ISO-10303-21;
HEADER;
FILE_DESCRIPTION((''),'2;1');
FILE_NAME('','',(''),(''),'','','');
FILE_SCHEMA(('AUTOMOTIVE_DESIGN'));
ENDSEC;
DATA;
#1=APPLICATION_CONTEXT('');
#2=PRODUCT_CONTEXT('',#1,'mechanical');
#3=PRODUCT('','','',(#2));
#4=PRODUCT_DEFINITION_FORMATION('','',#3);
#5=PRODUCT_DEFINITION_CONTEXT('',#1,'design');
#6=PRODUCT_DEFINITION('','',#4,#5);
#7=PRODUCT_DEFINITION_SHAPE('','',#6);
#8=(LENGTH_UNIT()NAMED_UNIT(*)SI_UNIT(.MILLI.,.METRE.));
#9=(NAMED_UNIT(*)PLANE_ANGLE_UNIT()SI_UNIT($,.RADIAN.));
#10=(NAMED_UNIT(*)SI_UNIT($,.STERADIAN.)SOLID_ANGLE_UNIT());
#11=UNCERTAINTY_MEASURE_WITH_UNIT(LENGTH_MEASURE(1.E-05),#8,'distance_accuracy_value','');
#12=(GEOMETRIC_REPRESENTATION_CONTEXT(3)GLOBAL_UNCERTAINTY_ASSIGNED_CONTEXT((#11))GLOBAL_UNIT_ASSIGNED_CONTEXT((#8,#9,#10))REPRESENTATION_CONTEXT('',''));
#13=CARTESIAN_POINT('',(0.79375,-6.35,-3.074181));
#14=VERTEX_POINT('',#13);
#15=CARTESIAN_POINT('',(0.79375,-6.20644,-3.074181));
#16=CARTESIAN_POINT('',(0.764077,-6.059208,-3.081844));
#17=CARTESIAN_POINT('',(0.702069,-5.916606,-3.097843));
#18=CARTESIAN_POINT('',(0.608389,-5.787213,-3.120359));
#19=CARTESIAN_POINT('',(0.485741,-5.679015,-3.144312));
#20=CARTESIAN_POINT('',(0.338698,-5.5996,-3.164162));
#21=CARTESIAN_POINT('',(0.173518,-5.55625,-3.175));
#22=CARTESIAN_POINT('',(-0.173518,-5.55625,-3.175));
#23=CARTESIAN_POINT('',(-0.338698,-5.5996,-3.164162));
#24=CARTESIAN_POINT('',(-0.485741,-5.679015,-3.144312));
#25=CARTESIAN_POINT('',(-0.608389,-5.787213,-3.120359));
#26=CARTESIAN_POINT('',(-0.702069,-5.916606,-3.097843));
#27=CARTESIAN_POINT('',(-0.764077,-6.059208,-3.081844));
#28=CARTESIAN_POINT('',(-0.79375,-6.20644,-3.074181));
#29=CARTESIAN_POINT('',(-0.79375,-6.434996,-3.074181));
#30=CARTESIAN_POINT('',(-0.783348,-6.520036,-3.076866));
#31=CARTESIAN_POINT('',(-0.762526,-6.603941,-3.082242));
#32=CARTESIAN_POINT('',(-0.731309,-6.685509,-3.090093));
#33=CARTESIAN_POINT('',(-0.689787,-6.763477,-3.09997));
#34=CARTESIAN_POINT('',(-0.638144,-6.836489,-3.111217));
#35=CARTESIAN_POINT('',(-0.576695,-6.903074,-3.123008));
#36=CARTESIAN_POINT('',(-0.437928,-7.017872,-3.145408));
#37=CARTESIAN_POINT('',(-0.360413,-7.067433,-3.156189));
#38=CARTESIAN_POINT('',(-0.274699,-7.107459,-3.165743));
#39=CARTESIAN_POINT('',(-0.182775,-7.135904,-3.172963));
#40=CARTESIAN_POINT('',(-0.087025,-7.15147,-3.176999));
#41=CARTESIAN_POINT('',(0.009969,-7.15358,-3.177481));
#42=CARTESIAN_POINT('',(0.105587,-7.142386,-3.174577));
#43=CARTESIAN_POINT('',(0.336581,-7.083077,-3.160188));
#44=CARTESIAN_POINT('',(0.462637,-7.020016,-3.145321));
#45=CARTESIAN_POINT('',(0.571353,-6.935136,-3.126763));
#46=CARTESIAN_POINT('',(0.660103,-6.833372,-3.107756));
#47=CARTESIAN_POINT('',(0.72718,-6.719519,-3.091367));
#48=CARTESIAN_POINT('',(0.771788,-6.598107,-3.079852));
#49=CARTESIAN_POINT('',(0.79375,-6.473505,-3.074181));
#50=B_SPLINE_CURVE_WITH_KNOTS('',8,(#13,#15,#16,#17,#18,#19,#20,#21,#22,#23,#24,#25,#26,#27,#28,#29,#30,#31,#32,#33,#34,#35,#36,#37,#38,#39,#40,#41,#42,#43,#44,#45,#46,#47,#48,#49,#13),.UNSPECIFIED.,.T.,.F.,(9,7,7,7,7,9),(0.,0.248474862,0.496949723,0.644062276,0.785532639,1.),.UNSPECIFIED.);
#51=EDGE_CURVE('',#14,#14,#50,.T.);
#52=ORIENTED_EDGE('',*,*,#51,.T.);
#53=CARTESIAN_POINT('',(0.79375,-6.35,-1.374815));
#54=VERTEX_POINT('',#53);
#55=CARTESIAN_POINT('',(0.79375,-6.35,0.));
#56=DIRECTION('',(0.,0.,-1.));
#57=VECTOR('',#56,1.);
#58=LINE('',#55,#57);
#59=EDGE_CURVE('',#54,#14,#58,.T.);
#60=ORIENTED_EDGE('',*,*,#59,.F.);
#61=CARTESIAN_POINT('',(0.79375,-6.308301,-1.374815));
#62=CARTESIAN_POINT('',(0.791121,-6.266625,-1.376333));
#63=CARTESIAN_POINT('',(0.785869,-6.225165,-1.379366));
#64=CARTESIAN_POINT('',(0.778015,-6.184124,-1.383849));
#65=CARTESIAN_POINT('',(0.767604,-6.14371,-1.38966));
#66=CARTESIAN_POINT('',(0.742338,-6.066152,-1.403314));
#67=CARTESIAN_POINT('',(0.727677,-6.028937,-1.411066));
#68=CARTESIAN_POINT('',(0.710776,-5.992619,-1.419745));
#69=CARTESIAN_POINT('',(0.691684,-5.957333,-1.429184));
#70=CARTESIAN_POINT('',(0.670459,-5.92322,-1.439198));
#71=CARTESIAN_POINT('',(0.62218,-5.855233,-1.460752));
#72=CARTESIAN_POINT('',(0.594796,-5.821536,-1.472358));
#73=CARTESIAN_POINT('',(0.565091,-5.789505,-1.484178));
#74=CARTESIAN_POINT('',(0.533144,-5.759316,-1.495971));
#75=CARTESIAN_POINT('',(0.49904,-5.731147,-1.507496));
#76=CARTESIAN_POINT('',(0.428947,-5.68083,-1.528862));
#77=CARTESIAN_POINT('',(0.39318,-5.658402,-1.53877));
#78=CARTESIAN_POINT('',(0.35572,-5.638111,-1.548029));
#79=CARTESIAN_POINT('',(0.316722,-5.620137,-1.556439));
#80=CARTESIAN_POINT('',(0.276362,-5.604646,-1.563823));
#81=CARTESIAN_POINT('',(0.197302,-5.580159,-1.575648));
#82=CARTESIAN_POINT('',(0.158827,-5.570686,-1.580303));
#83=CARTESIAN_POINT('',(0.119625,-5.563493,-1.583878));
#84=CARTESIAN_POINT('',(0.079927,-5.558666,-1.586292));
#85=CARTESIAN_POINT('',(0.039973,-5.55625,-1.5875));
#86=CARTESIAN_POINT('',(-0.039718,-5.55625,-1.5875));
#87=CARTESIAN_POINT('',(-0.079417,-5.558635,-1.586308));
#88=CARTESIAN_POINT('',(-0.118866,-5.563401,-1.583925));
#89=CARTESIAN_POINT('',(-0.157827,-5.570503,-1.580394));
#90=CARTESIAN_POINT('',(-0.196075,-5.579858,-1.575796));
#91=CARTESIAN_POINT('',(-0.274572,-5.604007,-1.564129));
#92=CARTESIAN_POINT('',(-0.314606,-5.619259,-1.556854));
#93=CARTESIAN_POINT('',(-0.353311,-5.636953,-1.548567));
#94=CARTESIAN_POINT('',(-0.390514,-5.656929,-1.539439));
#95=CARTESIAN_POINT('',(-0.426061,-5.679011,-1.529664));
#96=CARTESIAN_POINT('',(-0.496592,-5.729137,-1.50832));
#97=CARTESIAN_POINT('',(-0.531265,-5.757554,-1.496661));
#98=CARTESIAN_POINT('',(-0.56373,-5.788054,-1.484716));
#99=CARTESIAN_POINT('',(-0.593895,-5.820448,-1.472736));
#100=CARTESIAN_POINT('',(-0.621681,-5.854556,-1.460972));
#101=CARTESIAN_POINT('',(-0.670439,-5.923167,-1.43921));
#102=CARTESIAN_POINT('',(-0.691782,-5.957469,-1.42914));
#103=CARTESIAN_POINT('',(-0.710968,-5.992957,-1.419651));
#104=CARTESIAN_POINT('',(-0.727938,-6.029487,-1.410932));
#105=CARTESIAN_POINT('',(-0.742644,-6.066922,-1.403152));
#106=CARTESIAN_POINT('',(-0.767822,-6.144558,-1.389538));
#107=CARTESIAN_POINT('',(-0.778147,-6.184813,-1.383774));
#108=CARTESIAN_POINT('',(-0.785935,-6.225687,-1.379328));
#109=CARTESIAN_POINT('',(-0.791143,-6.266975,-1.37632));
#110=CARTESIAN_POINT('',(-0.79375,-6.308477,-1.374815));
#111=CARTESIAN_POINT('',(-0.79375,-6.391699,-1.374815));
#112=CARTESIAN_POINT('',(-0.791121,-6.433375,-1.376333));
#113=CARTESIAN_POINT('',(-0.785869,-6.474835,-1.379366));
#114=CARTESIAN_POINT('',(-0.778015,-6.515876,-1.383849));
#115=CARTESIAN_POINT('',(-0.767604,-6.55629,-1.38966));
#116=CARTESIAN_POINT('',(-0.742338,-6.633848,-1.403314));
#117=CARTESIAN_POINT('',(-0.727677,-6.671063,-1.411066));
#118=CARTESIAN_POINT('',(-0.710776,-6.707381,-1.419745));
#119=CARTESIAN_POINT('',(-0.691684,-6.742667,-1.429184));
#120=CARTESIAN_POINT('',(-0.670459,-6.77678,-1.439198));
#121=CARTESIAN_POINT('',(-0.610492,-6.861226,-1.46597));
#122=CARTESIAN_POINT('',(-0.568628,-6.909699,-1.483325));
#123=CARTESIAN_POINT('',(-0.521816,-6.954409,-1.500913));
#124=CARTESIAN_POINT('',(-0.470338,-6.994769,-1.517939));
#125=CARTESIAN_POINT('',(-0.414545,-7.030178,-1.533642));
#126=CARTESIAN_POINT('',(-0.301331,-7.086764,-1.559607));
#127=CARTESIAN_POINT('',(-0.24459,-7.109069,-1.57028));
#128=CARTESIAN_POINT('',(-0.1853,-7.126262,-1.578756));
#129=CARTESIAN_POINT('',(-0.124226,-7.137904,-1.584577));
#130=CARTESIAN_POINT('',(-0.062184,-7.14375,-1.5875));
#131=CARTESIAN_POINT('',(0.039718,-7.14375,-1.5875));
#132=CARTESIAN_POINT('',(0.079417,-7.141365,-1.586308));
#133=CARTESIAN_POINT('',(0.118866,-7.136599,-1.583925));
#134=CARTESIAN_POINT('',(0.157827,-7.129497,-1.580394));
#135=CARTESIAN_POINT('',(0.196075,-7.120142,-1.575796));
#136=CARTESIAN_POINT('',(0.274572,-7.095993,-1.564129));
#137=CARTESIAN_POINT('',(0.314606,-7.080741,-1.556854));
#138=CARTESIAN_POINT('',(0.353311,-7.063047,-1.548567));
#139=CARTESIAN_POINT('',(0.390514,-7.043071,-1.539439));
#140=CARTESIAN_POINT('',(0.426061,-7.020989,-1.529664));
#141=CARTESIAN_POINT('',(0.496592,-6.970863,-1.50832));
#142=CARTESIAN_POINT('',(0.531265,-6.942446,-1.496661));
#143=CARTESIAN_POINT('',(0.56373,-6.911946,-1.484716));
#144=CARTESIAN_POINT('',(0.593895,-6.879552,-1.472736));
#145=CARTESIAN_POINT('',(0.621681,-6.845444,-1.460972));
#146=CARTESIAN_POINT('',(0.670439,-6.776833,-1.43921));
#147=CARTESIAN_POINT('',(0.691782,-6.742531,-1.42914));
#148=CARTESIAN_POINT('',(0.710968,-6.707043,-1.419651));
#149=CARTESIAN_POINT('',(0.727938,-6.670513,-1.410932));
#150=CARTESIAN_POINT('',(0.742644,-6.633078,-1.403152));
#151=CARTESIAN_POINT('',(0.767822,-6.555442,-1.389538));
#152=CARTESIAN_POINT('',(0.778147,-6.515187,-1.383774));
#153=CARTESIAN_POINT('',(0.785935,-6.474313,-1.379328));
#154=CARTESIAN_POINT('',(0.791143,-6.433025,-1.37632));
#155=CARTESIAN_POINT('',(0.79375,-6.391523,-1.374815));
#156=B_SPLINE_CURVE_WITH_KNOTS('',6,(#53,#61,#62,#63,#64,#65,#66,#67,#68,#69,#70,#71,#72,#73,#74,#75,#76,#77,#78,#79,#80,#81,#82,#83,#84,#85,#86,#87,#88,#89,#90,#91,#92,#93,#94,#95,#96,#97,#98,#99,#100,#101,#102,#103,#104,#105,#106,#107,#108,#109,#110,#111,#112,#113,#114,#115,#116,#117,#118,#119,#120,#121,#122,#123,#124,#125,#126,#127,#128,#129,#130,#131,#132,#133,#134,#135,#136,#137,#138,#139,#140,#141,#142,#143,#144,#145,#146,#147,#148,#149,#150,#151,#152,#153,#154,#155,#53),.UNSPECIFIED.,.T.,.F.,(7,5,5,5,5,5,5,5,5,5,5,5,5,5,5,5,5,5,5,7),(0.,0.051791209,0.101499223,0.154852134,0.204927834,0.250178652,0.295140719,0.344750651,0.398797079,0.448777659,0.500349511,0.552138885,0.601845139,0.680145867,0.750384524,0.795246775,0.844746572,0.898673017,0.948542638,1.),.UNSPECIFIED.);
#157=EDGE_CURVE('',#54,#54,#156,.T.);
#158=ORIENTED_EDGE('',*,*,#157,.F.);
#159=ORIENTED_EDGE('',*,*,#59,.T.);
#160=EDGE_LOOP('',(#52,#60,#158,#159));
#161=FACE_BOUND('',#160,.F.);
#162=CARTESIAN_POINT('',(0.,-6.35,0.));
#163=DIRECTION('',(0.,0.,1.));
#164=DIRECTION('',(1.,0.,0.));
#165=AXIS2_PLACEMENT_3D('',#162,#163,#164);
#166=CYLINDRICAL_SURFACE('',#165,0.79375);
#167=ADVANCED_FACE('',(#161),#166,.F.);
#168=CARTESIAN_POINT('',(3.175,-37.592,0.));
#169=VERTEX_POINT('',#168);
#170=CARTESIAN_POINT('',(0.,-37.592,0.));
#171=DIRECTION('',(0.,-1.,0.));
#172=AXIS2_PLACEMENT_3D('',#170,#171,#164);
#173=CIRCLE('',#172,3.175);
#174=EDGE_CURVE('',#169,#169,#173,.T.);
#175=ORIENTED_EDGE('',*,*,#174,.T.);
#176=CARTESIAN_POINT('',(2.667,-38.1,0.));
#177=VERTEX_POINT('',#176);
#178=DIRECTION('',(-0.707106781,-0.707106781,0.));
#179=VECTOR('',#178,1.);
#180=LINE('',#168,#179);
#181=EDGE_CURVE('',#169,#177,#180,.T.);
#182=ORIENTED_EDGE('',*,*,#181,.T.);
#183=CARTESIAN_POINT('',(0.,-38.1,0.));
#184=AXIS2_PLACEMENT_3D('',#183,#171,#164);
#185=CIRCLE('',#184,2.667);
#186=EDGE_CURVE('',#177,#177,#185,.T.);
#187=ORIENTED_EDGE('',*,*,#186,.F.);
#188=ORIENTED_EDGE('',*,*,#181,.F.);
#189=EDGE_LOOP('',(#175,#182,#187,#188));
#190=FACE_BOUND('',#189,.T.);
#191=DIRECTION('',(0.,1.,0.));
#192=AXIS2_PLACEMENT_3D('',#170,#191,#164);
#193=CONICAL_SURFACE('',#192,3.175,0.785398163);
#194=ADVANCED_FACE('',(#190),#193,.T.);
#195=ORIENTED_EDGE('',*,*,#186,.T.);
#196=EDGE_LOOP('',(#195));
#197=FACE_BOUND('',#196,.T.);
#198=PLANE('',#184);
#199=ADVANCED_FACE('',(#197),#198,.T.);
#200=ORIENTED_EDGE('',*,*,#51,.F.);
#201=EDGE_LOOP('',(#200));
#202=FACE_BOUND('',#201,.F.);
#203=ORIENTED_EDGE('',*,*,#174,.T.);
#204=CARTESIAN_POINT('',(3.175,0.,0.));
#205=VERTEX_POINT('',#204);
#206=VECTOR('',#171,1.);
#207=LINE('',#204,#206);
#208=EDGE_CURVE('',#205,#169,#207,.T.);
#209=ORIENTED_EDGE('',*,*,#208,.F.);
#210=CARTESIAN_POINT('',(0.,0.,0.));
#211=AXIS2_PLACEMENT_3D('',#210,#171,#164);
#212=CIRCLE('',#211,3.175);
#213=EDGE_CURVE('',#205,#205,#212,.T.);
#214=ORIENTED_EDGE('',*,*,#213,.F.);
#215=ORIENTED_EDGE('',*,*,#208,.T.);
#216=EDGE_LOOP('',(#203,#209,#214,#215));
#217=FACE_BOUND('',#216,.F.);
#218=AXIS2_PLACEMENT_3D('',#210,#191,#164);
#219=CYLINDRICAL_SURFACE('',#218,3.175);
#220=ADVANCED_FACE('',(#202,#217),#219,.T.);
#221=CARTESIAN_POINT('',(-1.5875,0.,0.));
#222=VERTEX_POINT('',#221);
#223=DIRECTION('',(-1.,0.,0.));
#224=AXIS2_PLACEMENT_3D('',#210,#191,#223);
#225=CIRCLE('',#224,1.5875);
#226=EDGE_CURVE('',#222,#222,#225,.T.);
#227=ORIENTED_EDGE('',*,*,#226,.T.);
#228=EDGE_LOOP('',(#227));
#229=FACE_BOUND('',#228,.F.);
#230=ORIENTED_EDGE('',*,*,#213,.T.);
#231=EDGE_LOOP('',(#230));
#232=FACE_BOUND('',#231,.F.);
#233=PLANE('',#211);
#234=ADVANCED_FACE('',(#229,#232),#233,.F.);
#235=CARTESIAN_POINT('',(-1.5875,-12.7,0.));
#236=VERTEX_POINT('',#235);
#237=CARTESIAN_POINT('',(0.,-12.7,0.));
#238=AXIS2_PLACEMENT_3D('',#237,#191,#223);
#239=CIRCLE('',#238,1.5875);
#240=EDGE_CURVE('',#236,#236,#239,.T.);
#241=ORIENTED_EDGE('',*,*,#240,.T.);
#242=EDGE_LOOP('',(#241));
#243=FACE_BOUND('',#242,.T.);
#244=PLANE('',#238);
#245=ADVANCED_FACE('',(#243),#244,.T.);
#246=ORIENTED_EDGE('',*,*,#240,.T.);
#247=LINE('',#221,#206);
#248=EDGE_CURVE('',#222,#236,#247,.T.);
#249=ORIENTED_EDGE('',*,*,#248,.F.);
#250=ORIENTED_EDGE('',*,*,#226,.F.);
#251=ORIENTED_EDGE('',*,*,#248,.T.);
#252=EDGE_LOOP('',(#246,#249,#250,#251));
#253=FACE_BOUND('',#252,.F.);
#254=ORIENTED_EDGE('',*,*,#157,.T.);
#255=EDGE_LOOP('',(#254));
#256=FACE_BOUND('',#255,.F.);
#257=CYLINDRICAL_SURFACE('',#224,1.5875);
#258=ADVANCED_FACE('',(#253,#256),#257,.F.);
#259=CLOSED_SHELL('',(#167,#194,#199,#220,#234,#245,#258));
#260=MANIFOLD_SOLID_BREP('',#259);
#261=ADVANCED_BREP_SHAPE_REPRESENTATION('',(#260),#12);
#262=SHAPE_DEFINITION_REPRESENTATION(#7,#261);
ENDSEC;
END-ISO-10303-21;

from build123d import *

# Parameters (mm, degrees)
F0_R     = 3.175
F1_DEPTH = 38.1
F2_R     = 1.5875
F3_DEPTH = 12.7
F4_R     = 0.79375
F5_DEPTH = 3.176
F6_SIZE  = 0.508


with BuildPart() as f1:
    # F0 (on Front) → F1 (new body)
    with BuildSketch(Plane.XZ):
        Circle(F0_R)
    extrude(amount=F1_DEPTH)

    # F2 (on face) → F3 (cut)
    with BuildSketch(Plane(origin=(0, 0, 0), x_dir=(-1, 0, 0), z_dir=(0, 1, 0))):
        Circle(F2_R)
    extrude(amount=-F3_DEPTH, mode=Mode.SUBTRACT)

    # F4 (on Top) → F5 (cut, through all)
    with BuildSketch(Plane.XY):
        with Locations((0, -6.35)):
            Circle(F4_R)
    extrude(amount=-F5_DEPTH, mode=Mode.SUBTRACT)

    # F6
    f6_edges = [f1.edges().sort_by_distance(p)[0] for p in [
        (-3.175, -38.1, 0),
    ]]
    chamfer(f6_edges, length=F6_SIZE)


solid = f1.part
